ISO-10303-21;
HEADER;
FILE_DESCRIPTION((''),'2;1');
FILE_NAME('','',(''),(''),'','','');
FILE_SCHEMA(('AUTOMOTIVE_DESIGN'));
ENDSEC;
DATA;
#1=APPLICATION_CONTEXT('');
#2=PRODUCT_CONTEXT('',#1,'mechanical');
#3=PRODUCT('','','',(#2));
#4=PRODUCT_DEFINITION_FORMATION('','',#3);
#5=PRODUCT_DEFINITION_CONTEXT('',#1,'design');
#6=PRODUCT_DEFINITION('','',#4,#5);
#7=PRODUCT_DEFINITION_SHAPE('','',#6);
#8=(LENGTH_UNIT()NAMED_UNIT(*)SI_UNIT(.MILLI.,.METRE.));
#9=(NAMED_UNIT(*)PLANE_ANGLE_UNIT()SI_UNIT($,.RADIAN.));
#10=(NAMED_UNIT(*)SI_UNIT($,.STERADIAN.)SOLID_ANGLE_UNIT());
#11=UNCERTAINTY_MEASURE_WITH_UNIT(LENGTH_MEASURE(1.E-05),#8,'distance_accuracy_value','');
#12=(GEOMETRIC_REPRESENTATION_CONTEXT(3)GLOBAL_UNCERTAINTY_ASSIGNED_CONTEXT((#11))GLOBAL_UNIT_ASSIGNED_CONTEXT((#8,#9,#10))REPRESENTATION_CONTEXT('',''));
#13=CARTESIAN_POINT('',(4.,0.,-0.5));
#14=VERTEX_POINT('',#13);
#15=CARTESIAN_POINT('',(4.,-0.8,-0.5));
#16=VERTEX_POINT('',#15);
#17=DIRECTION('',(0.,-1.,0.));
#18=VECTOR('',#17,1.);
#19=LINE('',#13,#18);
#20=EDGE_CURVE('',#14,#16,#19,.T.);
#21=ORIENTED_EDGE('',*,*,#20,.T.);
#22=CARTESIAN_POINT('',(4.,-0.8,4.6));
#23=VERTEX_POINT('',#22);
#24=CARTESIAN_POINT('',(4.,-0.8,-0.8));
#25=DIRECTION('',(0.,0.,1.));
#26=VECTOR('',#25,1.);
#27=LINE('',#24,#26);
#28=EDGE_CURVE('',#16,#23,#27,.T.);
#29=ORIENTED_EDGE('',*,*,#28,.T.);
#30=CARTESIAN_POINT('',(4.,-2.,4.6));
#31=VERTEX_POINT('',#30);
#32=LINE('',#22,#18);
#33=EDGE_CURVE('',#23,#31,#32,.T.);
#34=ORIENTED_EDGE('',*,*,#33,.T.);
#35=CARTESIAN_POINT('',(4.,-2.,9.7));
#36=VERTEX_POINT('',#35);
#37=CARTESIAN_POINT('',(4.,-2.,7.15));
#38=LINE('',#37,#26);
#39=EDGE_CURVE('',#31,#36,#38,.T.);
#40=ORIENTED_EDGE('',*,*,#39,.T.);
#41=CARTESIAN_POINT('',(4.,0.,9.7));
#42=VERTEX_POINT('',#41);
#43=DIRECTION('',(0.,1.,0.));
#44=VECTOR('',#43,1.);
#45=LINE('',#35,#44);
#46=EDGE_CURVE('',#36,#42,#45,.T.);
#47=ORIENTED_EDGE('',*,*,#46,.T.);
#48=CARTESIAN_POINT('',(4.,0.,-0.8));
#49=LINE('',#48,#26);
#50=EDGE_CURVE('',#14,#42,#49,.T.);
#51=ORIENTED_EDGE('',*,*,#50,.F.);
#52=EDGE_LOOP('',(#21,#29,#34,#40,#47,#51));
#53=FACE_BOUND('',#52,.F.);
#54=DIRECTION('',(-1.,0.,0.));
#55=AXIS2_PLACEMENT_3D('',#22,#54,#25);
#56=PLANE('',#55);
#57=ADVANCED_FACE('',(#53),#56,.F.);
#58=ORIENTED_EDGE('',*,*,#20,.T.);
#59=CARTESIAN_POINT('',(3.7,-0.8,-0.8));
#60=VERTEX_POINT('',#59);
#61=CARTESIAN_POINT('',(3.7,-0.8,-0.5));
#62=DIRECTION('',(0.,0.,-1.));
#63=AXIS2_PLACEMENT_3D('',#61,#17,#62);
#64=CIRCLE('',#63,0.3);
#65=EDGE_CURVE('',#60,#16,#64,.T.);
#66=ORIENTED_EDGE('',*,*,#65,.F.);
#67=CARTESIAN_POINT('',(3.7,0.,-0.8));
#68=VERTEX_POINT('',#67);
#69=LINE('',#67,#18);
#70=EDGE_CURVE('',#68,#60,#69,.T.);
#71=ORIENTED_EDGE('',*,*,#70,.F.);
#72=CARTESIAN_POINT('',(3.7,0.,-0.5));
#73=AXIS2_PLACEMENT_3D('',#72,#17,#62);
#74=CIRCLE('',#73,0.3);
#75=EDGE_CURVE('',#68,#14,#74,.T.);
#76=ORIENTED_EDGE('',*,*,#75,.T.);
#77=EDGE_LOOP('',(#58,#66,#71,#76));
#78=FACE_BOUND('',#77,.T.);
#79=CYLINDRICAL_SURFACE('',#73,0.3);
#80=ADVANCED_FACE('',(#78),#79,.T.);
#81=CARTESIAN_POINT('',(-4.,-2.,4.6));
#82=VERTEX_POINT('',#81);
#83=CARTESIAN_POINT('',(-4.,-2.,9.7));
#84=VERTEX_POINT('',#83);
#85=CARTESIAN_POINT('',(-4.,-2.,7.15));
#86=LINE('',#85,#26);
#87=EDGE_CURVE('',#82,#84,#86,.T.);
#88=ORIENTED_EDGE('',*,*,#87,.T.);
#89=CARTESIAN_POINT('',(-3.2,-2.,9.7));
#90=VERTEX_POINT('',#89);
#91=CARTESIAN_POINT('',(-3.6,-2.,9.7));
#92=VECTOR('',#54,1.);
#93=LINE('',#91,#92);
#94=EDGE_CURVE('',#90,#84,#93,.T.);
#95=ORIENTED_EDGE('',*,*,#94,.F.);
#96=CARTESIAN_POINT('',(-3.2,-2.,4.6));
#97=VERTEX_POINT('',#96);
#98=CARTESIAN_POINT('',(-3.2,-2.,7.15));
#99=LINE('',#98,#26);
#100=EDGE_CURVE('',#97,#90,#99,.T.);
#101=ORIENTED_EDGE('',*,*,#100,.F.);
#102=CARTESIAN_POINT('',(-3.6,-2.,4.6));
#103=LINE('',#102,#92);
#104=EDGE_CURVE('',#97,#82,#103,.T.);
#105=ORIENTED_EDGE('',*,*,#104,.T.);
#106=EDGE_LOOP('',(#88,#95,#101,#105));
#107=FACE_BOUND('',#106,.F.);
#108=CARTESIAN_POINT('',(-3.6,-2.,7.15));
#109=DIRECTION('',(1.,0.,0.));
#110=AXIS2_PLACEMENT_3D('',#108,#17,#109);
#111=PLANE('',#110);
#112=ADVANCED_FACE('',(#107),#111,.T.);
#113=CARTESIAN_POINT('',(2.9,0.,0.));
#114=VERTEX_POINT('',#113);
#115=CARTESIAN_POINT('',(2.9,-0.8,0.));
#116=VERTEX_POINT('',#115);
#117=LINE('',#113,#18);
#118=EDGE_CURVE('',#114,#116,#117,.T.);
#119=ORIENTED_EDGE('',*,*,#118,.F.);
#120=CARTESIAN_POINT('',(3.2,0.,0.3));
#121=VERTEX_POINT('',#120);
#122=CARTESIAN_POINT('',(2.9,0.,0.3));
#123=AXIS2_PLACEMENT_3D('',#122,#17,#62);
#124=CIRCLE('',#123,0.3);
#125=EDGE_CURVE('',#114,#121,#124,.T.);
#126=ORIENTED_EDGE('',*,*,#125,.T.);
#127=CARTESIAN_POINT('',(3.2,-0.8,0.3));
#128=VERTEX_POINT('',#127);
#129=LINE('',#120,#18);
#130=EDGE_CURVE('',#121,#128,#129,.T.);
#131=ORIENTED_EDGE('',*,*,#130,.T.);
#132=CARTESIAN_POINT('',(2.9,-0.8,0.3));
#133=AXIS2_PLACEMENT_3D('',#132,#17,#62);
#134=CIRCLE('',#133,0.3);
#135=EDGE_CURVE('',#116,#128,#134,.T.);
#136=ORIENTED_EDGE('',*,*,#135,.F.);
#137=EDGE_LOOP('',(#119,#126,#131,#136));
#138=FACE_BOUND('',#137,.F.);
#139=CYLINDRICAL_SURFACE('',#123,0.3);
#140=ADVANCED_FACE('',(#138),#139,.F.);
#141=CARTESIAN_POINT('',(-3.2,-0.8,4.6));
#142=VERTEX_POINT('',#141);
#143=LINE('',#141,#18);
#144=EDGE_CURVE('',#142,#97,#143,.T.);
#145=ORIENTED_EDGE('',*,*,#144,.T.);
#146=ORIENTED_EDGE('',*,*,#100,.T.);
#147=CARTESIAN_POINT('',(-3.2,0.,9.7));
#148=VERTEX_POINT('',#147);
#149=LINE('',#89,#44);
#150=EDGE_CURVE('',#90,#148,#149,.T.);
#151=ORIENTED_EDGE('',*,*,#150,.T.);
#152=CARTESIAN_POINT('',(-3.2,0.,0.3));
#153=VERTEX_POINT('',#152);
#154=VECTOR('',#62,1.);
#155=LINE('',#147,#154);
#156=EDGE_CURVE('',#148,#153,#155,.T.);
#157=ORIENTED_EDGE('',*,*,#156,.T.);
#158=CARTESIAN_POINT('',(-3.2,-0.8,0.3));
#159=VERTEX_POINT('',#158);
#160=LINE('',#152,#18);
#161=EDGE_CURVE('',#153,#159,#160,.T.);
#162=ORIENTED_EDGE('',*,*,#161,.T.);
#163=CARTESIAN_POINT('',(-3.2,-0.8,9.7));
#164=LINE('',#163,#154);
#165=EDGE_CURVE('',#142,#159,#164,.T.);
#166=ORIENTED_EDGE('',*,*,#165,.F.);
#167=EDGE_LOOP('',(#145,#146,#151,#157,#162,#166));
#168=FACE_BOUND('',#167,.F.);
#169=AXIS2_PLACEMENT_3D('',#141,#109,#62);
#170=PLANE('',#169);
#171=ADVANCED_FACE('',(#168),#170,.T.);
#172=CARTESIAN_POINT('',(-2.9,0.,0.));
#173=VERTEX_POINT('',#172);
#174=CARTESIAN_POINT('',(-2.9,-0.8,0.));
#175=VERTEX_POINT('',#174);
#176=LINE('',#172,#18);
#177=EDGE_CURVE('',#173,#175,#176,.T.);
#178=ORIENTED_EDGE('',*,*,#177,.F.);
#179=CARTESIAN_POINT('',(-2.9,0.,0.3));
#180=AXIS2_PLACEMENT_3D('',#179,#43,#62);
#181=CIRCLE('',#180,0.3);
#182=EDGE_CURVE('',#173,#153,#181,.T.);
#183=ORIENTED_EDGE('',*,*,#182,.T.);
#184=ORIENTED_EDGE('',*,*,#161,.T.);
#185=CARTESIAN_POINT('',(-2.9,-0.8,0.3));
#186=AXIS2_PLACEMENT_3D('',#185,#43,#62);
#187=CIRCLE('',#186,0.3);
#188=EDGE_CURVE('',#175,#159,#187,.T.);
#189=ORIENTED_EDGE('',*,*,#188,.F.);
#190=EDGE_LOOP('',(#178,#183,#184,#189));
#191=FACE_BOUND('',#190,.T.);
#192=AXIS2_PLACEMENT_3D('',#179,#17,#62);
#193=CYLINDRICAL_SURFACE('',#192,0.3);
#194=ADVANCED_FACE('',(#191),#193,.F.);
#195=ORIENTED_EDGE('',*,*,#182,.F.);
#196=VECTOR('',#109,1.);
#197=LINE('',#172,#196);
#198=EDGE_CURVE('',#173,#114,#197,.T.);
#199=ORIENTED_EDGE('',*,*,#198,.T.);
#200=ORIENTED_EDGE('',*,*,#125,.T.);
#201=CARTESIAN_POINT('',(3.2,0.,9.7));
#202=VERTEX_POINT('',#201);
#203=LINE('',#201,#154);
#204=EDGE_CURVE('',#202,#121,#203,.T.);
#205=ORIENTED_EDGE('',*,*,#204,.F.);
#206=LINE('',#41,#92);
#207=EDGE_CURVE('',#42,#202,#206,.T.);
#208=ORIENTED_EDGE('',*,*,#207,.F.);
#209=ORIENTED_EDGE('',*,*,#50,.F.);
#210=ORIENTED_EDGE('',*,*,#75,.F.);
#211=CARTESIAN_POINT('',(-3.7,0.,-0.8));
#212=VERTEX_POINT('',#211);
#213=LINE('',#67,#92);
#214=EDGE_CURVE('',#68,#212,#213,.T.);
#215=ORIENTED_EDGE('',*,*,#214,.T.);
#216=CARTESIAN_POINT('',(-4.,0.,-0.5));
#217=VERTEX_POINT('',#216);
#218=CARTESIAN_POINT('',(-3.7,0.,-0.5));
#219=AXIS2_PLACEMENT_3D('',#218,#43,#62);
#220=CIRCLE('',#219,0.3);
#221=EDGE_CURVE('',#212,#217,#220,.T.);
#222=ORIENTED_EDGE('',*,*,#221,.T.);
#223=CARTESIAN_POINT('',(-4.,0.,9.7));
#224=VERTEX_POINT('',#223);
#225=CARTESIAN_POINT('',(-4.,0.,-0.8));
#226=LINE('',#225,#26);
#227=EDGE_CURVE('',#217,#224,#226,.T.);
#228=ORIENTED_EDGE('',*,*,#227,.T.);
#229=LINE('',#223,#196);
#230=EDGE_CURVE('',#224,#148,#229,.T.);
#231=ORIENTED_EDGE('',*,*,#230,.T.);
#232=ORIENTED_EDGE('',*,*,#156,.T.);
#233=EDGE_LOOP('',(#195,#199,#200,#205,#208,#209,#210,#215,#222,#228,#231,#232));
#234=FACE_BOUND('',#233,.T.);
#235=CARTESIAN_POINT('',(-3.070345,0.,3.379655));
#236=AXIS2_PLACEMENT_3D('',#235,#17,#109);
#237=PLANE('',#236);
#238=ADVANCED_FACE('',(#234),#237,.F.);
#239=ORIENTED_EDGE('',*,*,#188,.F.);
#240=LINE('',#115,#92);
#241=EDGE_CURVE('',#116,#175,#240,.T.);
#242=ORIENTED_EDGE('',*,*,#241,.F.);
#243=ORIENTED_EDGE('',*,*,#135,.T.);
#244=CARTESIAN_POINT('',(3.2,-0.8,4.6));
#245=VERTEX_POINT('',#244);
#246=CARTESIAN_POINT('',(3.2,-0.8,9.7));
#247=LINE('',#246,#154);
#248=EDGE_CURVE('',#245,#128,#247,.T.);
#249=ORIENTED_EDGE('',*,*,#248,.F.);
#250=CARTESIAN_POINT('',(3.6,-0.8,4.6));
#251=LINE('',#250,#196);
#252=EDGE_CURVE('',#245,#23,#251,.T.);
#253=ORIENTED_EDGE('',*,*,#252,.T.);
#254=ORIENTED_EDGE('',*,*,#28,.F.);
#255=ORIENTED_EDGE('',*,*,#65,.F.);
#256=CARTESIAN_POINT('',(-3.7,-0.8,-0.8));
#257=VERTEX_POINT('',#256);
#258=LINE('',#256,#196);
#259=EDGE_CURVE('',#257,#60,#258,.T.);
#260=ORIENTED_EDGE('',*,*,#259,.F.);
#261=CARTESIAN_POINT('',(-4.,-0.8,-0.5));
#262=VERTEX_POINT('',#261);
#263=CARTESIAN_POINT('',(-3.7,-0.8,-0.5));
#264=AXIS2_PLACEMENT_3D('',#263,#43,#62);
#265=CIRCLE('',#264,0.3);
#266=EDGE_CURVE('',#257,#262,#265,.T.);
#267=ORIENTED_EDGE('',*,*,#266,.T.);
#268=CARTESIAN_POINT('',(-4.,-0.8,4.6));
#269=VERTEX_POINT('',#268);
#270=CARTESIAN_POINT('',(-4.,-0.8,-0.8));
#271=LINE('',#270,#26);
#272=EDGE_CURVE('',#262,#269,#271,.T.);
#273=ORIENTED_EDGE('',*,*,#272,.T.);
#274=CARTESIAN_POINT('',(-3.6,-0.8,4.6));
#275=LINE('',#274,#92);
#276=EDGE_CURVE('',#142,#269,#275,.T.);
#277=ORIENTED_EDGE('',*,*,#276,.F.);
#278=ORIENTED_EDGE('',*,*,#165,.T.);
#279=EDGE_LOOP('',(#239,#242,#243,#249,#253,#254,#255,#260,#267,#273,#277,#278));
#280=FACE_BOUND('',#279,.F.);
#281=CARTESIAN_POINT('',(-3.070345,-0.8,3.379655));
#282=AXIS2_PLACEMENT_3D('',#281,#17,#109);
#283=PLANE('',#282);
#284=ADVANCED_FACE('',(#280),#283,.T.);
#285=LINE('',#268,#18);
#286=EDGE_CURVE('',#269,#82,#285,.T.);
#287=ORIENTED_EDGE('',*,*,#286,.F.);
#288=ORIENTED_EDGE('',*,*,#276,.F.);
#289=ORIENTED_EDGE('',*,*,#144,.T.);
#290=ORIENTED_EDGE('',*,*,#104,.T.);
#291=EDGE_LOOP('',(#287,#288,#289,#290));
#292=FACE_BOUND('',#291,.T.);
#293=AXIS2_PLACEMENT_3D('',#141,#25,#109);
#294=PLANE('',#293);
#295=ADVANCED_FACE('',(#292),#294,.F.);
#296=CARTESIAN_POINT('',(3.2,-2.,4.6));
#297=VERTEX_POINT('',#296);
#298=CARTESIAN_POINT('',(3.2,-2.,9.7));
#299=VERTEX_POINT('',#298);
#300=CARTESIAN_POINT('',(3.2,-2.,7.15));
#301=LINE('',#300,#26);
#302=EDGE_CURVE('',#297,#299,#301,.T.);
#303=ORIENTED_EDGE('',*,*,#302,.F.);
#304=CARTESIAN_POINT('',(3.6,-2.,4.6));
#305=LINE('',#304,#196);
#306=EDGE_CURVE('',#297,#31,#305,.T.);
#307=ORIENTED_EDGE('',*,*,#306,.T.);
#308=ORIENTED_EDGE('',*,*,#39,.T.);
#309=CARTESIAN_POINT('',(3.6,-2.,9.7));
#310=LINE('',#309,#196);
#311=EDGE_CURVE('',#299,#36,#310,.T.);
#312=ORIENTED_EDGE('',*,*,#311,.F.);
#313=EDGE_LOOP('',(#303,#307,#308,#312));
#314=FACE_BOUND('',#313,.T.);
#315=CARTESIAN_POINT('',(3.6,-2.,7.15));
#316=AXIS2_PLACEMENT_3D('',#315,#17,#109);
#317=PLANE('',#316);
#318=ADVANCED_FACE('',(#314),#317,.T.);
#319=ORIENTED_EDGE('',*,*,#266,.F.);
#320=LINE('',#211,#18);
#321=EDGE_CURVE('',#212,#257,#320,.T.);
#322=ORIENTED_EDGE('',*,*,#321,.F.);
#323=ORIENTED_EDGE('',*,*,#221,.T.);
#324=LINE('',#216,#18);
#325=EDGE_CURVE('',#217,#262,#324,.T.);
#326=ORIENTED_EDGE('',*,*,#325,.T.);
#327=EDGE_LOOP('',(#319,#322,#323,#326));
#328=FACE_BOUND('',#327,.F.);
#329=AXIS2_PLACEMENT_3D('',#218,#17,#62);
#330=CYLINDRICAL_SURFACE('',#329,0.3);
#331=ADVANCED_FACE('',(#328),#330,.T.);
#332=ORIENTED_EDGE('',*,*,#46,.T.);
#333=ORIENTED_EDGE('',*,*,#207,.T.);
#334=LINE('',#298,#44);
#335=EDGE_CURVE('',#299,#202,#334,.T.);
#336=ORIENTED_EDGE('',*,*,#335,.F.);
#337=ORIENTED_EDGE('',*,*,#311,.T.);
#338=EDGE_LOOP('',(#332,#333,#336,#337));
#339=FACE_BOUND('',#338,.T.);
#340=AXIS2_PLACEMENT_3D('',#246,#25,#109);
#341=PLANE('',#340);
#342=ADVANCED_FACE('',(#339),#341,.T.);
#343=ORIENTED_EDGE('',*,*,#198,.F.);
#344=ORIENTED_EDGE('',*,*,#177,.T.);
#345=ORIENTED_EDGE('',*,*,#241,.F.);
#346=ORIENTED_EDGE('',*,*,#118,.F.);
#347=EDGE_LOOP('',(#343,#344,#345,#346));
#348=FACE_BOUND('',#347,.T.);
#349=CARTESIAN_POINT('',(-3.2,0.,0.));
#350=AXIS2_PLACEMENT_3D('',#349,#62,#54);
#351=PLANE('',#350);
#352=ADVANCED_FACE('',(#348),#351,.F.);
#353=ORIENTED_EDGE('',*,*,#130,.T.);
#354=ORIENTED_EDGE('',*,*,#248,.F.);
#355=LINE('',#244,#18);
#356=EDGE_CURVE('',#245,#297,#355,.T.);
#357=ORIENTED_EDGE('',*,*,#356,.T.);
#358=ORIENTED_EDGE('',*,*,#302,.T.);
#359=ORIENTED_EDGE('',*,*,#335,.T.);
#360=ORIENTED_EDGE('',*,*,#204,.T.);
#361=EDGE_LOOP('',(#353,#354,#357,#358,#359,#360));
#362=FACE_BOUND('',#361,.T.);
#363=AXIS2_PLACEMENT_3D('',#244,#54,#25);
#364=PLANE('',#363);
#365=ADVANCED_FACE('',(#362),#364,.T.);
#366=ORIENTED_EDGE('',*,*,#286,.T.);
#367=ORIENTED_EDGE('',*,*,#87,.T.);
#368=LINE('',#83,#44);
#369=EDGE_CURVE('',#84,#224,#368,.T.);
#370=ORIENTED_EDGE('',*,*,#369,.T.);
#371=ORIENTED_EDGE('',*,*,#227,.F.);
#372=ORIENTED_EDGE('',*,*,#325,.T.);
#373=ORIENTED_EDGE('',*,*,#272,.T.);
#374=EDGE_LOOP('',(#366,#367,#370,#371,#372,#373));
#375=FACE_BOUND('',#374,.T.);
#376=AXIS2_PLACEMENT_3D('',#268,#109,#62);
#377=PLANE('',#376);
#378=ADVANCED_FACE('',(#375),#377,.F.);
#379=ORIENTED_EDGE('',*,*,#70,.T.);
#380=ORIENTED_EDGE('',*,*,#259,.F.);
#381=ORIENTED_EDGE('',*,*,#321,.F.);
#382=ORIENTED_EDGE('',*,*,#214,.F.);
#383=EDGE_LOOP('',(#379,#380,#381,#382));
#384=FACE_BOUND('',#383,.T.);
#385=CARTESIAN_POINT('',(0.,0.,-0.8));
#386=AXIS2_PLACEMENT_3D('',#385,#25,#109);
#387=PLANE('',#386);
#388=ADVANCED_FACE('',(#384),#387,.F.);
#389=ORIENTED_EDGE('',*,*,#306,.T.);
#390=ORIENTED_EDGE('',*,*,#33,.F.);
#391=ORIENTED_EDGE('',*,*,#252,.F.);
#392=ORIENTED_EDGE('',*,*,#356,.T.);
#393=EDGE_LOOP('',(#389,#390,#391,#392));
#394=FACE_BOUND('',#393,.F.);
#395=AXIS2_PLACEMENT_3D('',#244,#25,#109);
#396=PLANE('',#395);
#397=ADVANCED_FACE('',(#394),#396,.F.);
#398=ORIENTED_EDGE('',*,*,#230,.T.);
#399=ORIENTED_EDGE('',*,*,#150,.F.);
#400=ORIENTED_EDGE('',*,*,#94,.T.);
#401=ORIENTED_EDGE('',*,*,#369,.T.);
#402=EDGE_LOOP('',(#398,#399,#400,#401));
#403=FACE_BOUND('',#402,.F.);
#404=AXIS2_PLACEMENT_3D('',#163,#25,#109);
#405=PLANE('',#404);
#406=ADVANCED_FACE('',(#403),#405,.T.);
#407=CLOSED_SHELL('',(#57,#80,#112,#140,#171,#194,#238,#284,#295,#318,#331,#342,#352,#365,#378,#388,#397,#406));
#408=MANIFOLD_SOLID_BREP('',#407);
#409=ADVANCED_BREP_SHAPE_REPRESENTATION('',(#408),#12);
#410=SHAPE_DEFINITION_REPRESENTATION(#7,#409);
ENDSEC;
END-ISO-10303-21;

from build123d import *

# Parameters (mm, degrees)
F1_DEPTH = 0.8
F2_R     = 0.3
F3_W     = 0.8
F3_H     = 5.1
F4_DEPTH = 1.2


with BuildPart() as f1:
    # F0 (on Front) → F1 (new body)
    with BuildSketch(Plane.XZ):
        Polygon((3.2, 0), (0, 0), (0, -0.8), (4, -0.8), (4, 9.7), (3.2, 9.7), align=None)
    extrude(amount=F1_DEPTH)

    # F2
    f2_edges = [f1.edges().sort_by_distance(p)[0] for p in [
        (3.2, -0.4, 0),
        (4, -0.4, -0.8),
    ]]
    fillet(f2_edges, radius=F2_R)

    # F3 (on face) → F4 (join)
    with BuildSketch(Plane.XZ.offset(0.8)):
        with Locations((3.6, 7.15)):
            Rectangle(F3_W, F3_H)
    extrude(amount=F4_DEPTH)

    # F5: F1 across face


with BuildPart() as f1_1:
    add(f1.part)
    add(f1.part.mirror(Plane(origin=(0, -0.4, -0.4), x_dir=(0, -1, 0), z_dir=(-1, 0, 0))))


solid = f1_1.part
